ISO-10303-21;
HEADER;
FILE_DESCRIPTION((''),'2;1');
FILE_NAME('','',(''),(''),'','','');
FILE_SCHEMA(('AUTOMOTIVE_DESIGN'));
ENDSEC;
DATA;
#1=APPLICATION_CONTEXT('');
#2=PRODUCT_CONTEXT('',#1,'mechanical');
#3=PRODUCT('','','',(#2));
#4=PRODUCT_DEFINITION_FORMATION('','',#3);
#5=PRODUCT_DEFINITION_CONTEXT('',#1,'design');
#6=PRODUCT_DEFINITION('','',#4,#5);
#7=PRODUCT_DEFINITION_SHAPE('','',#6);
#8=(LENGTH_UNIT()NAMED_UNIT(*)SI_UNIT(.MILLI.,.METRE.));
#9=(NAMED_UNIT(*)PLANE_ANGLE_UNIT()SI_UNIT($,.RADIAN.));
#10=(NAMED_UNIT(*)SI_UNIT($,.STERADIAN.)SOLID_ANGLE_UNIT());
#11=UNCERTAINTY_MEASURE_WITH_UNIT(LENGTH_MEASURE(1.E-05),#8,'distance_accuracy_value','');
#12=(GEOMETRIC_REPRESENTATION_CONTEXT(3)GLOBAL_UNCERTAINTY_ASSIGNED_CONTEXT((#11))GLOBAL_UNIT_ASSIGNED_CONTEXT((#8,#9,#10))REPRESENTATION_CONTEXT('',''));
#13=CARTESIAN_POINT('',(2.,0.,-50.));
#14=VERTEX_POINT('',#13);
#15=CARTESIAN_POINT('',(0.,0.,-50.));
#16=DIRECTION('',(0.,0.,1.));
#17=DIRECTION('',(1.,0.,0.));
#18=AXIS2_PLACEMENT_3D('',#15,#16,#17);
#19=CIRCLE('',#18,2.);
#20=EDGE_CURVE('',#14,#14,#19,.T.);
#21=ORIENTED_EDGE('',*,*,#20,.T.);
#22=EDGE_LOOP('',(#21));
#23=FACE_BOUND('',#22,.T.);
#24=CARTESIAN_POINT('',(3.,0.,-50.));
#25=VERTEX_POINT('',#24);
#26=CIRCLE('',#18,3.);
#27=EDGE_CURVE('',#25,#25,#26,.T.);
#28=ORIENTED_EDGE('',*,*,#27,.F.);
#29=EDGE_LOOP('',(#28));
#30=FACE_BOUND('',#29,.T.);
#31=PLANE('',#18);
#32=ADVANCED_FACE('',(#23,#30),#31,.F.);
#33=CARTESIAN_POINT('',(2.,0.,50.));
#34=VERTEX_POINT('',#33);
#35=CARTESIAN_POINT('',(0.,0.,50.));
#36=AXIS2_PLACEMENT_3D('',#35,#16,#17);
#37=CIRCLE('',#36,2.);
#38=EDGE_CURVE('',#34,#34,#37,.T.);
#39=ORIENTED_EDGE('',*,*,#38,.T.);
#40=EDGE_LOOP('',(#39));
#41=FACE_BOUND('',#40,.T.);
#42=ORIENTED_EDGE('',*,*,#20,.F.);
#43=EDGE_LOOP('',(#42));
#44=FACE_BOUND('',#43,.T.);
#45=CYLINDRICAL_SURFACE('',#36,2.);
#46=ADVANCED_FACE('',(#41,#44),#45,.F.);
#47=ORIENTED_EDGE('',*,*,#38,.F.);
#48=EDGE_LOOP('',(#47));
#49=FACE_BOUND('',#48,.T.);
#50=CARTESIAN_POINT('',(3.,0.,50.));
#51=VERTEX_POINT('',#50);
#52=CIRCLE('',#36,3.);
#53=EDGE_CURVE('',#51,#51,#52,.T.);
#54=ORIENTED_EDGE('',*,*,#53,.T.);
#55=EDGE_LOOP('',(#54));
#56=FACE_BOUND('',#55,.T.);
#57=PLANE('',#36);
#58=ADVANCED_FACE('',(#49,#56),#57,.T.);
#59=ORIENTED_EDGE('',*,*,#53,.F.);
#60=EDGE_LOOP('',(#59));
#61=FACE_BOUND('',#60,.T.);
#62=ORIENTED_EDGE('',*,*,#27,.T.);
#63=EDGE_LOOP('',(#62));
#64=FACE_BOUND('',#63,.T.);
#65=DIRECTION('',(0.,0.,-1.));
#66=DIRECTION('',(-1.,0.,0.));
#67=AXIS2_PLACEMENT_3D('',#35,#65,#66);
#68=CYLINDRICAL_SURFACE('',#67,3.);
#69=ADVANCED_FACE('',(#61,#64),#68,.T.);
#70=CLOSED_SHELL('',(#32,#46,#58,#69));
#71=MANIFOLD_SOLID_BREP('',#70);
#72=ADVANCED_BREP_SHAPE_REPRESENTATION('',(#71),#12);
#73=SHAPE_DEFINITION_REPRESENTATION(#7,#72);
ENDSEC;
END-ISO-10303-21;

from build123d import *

# Parameters (mm, degrees)
SKETCH1_R                 = 3
BOSS_EXTRUDE1_DEPTH       = 50
F_4_0MM_DOWEL_HOLE1_D     = 4
F_4_0MM_DOWEL_HOLE1_DEPTH = 100


with BuildPart() as part:
    # Sketch1 → Boss-Extrude1 (new body, symmetric)
    with BuildSketch(Plane.XY):
        Circle(SKETCH1_R)
    extrude(amount=BOSS_EXTRUDE1_DEPTH, both=True)

    # Ø4.0mm Dowel Hole1
    with Locations(Plane.XY.offset(50)):
        with Locations((0, 0)):
            Hole(F_4_0MM_DOWEL_HOLE1_D / 2, depth=F_4_0MM_DOWEL_HOLE1_DEPTH)


solid = part.part
